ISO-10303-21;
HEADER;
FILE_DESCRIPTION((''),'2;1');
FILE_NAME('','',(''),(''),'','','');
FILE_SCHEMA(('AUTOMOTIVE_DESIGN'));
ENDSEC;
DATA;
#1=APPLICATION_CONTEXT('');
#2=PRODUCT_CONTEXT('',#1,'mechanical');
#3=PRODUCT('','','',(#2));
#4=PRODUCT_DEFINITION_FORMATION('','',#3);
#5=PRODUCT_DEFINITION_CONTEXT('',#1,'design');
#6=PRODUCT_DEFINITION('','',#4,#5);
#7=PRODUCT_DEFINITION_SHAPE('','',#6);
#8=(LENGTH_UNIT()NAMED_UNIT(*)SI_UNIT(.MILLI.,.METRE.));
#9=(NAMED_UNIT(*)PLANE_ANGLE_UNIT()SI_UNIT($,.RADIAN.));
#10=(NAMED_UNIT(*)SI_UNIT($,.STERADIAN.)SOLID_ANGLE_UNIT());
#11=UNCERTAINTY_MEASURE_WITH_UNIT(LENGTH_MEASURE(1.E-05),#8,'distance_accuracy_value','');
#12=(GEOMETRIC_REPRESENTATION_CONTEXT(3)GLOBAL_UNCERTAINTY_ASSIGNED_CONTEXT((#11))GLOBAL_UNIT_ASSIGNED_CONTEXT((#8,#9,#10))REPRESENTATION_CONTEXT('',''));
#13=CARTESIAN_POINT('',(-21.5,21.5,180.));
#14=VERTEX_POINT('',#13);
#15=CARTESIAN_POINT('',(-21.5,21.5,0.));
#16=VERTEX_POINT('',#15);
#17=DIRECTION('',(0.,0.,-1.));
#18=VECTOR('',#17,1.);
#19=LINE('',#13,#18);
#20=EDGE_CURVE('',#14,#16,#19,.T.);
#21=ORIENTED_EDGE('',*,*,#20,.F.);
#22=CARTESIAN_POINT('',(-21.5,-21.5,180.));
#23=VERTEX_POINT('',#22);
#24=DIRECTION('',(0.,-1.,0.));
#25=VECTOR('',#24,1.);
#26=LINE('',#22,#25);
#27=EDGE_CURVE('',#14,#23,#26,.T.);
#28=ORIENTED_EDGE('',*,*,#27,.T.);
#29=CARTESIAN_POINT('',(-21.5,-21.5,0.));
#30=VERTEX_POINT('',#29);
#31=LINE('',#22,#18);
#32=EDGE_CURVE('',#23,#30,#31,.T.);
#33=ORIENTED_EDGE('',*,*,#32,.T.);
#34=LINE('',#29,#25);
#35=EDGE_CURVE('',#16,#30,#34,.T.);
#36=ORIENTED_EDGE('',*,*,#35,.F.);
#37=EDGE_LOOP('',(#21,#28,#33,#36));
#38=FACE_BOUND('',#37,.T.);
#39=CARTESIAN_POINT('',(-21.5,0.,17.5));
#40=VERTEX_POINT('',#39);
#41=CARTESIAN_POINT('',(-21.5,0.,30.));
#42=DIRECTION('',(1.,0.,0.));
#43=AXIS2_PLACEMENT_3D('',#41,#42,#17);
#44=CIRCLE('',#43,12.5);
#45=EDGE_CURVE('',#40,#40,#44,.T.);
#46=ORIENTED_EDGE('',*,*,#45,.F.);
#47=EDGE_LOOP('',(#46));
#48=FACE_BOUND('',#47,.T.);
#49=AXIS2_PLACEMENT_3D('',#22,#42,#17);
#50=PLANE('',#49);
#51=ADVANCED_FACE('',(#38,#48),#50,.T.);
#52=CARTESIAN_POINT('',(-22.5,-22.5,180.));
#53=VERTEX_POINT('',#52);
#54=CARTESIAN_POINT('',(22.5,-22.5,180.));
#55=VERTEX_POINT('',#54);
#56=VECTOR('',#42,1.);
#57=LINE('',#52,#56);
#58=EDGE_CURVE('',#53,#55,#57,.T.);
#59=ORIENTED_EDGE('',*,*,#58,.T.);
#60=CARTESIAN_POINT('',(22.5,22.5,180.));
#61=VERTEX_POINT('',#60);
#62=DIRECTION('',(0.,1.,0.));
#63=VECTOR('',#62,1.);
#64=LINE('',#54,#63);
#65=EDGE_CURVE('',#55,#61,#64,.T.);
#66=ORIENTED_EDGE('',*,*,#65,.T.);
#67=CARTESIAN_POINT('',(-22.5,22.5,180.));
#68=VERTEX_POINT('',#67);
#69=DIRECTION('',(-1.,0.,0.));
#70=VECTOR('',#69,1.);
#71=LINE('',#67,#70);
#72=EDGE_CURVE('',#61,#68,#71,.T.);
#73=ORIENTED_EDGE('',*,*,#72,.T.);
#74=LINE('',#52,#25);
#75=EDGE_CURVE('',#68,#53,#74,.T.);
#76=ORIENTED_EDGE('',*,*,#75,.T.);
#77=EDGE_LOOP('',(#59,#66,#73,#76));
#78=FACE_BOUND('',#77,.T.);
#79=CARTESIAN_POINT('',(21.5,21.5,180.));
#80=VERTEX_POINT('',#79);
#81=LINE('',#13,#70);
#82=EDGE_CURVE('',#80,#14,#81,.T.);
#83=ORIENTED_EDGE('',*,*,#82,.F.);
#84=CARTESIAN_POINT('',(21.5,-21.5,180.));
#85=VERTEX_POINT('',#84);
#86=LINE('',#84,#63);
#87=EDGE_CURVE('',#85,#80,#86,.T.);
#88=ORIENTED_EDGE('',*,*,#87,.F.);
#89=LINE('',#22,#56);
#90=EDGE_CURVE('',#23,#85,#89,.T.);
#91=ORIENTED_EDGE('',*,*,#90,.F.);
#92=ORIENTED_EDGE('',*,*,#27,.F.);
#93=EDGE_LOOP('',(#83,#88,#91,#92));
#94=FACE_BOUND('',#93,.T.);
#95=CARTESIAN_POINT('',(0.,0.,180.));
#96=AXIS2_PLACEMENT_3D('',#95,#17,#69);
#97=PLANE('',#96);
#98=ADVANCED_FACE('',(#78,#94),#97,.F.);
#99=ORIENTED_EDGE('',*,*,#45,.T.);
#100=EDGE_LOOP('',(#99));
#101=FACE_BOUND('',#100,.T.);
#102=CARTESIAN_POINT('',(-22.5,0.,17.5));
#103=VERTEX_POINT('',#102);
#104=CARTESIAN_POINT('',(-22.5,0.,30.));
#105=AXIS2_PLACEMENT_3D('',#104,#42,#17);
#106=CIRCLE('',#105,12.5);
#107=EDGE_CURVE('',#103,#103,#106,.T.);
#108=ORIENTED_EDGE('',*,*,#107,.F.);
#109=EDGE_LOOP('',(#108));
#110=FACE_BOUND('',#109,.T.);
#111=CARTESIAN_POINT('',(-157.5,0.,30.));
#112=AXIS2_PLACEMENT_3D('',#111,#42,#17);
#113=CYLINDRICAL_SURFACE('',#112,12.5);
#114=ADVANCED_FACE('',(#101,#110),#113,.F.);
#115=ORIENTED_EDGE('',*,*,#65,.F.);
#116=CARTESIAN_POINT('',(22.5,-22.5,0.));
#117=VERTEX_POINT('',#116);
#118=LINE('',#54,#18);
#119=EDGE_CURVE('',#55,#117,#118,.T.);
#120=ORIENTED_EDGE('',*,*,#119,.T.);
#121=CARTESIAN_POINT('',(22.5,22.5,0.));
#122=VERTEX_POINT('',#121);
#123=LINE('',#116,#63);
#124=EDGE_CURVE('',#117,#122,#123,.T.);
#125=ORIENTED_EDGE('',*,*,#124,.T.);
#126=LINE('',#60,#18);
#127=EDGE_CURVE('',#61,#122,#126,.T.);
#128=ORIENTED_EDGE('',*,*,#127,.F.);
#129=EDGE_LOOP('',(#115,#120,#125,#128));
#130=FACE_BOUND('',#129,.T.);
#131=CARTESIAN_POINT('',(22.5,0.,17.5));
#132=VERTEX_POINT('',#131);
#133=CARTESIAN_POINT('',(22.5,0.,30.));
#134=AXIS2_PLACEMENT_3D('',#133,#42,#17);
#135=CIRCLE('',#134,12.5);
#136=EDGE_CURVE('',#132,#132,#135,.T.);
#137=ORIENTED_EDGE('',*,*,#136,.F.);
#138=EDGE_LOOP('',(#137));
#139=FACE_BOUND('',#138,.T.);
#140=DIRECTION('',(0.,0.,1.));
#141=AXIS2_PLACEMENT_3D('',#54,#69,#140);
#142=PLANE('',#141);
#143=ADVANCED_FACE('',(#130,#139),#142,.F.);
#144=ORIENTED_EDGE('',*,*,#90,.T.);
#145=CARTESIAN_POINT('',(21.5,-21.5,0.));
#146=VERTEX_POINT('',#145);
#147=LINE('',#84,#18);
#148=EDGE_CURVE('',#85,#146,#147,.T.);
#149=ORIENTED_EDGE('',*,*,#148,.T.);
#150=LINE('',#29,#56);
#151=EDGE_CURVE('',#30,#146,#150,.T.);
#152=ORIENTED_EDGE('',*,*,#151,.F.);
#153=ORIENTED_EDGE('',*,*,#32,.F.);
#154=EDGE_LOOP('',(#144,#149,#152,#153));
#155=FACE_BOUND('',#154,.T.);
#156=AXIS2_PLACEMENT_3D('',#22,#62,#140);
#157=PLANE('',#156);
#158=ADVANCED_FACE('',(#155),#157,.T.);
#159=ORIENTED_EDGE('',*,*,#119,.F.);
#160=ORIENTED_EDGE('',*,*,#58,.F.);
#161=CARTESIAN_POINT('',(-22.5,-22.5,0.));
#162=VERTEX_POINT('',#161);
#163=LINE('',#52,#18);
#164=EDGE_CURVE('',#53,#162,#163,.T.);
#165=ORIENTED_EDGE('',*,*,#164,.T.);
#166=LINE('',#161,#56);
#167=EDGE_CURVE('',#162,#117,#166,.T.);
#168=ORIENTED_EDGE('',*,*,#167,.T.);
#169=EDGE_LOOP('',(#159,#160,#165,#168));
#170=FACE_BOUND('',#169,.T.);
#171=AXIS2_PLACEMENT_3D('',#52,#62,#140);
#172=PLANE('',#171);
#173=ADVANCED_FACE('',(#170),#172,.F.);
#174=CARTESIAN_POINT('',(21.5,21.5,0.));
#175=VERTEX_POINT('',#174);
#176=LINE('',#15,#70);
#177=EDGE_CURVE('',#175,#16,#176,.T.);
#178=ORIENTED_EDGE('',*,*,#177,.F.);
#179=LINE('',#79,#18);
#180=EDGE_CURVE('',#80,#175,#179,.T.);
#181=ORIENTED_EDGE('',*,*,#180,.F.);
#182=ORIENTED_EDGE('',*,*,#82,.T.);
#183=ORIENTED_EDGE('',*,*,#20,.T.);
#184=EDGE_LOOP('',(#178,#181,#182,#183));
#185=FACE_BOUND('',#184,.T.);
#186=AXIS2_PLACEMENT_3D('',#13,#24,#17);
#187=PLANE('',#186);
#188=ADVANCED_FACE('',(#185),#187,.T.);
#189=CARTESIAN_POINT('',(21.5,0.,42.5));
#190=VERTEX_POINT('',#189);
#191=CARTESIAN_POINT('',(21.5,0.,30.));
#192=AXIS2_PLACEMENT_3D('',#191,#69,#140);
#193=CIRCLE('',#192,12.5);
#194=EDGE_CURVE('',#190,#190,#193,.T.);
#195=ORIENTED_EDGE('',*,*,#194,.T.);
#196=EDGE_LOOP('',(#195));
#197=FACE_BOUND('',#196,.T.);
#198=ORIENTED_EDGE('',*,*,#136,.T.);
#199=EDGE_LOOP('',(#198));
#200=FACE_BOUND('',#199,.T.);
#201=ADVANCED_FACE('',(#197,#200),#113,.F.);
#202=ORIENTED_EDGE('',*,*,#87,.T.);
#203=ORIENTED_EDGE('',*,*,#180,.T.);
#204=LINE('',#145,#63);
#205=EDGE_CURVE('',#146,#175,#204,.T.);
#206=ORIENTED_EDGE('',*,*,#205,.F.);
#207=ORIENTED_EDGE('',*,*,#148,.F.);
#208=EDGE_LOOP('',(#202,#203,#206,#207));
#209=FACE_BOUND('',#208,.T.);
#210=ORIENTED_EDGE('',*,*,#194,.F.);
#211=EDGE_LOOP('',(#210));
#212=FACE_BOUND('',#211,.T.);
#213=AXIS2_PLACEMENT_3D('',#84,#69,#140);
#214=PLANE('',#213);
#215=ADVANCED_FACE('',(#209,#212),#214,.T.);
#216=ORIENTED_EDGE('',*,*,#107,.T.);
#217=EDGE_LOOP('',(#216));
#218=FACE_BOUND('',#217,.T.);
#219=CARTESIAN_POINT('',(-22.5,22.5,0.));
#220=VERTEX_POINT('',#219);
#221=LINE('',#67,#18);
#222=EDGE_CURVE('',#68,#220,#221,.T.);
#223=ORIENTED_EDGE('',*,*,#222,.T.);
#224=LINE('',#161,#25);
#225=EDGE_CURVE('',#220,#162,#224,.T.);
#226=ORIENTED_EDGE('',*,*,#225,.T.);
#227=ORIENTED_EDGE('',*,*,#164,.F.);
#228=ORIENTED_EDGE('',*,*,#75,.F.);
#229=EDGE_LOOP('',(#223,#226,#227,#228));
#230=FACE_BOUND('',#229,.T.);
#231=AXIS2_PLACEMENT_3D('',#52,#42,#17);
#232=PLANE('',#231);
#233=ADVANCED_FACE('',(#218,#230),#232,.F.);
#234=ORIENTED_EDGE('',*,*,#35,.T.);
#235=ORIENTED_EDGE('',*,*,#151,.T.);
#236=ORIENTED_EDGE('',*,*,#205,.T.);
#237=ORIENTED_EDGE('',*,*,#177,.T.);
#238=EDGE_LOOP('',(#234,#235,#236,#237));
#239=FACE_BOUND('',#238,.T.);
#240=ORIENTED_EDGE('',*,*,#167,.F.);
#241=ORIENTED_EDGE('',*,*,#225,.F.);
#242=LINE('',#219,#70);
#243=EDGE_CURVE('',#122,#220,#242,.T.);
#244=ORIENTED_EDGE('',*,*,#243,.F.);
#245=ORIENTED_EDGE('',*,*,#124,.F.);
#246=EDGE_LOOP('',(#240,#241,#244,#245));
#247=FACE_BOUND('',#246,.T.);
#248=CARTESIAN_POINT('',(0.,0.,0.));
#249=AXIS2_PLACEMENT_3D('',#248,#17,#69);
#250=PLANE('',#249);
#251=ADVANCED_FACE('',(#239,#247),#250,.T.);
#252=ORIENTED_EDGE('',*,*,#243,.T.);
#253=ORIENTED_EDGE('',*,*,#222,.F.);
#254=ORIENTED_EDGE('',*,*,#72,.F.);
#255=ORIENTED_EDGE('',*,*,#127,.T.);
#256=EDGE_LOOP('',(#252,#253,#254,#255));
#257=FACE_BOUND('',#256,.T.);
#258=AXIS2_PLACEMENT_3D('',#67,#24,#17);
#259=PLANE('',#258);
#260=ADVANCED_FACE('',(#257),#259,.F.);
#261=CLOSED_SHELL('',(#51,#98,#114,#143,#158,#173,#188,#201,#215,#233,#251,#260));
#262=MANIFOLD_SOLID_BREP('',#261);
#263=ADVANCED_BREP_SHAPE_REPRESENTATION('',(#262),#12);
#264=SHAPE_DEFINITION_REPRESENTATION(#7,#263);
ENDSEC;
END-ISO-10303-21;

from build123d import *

# Parameters (mm, degrees)
SKETCH1_W           = 45
SKETCH1_H           = 45
SKETCH1_W_2         = 43
SKETCH1_H_2         = 43
BOSS_EXTRUDE1_DEPTH = 180
SKETCH2_R           = 12.5
CUT_EXTRUDE1_DEPTH  = 180


with BuildPart() as part:
    # Sketch1 → Boss-Extrude1 (new body)
    with BuildSketch(Plane.XY):
        Rectangle(SKETCH1_W, SKETCH1_H)
        Rectangle(SKETCH1_W_2, SKETCH1_H_2, mode=Mode.SUBTRACT)
    extrude(amount=BOSS_EXTRUDE1_DEPTH)

    # Sketch2 → Cut-Extrude1 (cut)
    with BuildSketch(Plane(origin=(22.5, 0, 0), x_dir=(0, 0, -1), z_dir=(1, 0, 0))):
        with Locations((-30, 0)):
            Circle(SKETCH2_R)
    extrude(amount=-CUT_EXTRUDE1_DEPTH, mode=Mode.SUBTRACT)


solid = part.part
